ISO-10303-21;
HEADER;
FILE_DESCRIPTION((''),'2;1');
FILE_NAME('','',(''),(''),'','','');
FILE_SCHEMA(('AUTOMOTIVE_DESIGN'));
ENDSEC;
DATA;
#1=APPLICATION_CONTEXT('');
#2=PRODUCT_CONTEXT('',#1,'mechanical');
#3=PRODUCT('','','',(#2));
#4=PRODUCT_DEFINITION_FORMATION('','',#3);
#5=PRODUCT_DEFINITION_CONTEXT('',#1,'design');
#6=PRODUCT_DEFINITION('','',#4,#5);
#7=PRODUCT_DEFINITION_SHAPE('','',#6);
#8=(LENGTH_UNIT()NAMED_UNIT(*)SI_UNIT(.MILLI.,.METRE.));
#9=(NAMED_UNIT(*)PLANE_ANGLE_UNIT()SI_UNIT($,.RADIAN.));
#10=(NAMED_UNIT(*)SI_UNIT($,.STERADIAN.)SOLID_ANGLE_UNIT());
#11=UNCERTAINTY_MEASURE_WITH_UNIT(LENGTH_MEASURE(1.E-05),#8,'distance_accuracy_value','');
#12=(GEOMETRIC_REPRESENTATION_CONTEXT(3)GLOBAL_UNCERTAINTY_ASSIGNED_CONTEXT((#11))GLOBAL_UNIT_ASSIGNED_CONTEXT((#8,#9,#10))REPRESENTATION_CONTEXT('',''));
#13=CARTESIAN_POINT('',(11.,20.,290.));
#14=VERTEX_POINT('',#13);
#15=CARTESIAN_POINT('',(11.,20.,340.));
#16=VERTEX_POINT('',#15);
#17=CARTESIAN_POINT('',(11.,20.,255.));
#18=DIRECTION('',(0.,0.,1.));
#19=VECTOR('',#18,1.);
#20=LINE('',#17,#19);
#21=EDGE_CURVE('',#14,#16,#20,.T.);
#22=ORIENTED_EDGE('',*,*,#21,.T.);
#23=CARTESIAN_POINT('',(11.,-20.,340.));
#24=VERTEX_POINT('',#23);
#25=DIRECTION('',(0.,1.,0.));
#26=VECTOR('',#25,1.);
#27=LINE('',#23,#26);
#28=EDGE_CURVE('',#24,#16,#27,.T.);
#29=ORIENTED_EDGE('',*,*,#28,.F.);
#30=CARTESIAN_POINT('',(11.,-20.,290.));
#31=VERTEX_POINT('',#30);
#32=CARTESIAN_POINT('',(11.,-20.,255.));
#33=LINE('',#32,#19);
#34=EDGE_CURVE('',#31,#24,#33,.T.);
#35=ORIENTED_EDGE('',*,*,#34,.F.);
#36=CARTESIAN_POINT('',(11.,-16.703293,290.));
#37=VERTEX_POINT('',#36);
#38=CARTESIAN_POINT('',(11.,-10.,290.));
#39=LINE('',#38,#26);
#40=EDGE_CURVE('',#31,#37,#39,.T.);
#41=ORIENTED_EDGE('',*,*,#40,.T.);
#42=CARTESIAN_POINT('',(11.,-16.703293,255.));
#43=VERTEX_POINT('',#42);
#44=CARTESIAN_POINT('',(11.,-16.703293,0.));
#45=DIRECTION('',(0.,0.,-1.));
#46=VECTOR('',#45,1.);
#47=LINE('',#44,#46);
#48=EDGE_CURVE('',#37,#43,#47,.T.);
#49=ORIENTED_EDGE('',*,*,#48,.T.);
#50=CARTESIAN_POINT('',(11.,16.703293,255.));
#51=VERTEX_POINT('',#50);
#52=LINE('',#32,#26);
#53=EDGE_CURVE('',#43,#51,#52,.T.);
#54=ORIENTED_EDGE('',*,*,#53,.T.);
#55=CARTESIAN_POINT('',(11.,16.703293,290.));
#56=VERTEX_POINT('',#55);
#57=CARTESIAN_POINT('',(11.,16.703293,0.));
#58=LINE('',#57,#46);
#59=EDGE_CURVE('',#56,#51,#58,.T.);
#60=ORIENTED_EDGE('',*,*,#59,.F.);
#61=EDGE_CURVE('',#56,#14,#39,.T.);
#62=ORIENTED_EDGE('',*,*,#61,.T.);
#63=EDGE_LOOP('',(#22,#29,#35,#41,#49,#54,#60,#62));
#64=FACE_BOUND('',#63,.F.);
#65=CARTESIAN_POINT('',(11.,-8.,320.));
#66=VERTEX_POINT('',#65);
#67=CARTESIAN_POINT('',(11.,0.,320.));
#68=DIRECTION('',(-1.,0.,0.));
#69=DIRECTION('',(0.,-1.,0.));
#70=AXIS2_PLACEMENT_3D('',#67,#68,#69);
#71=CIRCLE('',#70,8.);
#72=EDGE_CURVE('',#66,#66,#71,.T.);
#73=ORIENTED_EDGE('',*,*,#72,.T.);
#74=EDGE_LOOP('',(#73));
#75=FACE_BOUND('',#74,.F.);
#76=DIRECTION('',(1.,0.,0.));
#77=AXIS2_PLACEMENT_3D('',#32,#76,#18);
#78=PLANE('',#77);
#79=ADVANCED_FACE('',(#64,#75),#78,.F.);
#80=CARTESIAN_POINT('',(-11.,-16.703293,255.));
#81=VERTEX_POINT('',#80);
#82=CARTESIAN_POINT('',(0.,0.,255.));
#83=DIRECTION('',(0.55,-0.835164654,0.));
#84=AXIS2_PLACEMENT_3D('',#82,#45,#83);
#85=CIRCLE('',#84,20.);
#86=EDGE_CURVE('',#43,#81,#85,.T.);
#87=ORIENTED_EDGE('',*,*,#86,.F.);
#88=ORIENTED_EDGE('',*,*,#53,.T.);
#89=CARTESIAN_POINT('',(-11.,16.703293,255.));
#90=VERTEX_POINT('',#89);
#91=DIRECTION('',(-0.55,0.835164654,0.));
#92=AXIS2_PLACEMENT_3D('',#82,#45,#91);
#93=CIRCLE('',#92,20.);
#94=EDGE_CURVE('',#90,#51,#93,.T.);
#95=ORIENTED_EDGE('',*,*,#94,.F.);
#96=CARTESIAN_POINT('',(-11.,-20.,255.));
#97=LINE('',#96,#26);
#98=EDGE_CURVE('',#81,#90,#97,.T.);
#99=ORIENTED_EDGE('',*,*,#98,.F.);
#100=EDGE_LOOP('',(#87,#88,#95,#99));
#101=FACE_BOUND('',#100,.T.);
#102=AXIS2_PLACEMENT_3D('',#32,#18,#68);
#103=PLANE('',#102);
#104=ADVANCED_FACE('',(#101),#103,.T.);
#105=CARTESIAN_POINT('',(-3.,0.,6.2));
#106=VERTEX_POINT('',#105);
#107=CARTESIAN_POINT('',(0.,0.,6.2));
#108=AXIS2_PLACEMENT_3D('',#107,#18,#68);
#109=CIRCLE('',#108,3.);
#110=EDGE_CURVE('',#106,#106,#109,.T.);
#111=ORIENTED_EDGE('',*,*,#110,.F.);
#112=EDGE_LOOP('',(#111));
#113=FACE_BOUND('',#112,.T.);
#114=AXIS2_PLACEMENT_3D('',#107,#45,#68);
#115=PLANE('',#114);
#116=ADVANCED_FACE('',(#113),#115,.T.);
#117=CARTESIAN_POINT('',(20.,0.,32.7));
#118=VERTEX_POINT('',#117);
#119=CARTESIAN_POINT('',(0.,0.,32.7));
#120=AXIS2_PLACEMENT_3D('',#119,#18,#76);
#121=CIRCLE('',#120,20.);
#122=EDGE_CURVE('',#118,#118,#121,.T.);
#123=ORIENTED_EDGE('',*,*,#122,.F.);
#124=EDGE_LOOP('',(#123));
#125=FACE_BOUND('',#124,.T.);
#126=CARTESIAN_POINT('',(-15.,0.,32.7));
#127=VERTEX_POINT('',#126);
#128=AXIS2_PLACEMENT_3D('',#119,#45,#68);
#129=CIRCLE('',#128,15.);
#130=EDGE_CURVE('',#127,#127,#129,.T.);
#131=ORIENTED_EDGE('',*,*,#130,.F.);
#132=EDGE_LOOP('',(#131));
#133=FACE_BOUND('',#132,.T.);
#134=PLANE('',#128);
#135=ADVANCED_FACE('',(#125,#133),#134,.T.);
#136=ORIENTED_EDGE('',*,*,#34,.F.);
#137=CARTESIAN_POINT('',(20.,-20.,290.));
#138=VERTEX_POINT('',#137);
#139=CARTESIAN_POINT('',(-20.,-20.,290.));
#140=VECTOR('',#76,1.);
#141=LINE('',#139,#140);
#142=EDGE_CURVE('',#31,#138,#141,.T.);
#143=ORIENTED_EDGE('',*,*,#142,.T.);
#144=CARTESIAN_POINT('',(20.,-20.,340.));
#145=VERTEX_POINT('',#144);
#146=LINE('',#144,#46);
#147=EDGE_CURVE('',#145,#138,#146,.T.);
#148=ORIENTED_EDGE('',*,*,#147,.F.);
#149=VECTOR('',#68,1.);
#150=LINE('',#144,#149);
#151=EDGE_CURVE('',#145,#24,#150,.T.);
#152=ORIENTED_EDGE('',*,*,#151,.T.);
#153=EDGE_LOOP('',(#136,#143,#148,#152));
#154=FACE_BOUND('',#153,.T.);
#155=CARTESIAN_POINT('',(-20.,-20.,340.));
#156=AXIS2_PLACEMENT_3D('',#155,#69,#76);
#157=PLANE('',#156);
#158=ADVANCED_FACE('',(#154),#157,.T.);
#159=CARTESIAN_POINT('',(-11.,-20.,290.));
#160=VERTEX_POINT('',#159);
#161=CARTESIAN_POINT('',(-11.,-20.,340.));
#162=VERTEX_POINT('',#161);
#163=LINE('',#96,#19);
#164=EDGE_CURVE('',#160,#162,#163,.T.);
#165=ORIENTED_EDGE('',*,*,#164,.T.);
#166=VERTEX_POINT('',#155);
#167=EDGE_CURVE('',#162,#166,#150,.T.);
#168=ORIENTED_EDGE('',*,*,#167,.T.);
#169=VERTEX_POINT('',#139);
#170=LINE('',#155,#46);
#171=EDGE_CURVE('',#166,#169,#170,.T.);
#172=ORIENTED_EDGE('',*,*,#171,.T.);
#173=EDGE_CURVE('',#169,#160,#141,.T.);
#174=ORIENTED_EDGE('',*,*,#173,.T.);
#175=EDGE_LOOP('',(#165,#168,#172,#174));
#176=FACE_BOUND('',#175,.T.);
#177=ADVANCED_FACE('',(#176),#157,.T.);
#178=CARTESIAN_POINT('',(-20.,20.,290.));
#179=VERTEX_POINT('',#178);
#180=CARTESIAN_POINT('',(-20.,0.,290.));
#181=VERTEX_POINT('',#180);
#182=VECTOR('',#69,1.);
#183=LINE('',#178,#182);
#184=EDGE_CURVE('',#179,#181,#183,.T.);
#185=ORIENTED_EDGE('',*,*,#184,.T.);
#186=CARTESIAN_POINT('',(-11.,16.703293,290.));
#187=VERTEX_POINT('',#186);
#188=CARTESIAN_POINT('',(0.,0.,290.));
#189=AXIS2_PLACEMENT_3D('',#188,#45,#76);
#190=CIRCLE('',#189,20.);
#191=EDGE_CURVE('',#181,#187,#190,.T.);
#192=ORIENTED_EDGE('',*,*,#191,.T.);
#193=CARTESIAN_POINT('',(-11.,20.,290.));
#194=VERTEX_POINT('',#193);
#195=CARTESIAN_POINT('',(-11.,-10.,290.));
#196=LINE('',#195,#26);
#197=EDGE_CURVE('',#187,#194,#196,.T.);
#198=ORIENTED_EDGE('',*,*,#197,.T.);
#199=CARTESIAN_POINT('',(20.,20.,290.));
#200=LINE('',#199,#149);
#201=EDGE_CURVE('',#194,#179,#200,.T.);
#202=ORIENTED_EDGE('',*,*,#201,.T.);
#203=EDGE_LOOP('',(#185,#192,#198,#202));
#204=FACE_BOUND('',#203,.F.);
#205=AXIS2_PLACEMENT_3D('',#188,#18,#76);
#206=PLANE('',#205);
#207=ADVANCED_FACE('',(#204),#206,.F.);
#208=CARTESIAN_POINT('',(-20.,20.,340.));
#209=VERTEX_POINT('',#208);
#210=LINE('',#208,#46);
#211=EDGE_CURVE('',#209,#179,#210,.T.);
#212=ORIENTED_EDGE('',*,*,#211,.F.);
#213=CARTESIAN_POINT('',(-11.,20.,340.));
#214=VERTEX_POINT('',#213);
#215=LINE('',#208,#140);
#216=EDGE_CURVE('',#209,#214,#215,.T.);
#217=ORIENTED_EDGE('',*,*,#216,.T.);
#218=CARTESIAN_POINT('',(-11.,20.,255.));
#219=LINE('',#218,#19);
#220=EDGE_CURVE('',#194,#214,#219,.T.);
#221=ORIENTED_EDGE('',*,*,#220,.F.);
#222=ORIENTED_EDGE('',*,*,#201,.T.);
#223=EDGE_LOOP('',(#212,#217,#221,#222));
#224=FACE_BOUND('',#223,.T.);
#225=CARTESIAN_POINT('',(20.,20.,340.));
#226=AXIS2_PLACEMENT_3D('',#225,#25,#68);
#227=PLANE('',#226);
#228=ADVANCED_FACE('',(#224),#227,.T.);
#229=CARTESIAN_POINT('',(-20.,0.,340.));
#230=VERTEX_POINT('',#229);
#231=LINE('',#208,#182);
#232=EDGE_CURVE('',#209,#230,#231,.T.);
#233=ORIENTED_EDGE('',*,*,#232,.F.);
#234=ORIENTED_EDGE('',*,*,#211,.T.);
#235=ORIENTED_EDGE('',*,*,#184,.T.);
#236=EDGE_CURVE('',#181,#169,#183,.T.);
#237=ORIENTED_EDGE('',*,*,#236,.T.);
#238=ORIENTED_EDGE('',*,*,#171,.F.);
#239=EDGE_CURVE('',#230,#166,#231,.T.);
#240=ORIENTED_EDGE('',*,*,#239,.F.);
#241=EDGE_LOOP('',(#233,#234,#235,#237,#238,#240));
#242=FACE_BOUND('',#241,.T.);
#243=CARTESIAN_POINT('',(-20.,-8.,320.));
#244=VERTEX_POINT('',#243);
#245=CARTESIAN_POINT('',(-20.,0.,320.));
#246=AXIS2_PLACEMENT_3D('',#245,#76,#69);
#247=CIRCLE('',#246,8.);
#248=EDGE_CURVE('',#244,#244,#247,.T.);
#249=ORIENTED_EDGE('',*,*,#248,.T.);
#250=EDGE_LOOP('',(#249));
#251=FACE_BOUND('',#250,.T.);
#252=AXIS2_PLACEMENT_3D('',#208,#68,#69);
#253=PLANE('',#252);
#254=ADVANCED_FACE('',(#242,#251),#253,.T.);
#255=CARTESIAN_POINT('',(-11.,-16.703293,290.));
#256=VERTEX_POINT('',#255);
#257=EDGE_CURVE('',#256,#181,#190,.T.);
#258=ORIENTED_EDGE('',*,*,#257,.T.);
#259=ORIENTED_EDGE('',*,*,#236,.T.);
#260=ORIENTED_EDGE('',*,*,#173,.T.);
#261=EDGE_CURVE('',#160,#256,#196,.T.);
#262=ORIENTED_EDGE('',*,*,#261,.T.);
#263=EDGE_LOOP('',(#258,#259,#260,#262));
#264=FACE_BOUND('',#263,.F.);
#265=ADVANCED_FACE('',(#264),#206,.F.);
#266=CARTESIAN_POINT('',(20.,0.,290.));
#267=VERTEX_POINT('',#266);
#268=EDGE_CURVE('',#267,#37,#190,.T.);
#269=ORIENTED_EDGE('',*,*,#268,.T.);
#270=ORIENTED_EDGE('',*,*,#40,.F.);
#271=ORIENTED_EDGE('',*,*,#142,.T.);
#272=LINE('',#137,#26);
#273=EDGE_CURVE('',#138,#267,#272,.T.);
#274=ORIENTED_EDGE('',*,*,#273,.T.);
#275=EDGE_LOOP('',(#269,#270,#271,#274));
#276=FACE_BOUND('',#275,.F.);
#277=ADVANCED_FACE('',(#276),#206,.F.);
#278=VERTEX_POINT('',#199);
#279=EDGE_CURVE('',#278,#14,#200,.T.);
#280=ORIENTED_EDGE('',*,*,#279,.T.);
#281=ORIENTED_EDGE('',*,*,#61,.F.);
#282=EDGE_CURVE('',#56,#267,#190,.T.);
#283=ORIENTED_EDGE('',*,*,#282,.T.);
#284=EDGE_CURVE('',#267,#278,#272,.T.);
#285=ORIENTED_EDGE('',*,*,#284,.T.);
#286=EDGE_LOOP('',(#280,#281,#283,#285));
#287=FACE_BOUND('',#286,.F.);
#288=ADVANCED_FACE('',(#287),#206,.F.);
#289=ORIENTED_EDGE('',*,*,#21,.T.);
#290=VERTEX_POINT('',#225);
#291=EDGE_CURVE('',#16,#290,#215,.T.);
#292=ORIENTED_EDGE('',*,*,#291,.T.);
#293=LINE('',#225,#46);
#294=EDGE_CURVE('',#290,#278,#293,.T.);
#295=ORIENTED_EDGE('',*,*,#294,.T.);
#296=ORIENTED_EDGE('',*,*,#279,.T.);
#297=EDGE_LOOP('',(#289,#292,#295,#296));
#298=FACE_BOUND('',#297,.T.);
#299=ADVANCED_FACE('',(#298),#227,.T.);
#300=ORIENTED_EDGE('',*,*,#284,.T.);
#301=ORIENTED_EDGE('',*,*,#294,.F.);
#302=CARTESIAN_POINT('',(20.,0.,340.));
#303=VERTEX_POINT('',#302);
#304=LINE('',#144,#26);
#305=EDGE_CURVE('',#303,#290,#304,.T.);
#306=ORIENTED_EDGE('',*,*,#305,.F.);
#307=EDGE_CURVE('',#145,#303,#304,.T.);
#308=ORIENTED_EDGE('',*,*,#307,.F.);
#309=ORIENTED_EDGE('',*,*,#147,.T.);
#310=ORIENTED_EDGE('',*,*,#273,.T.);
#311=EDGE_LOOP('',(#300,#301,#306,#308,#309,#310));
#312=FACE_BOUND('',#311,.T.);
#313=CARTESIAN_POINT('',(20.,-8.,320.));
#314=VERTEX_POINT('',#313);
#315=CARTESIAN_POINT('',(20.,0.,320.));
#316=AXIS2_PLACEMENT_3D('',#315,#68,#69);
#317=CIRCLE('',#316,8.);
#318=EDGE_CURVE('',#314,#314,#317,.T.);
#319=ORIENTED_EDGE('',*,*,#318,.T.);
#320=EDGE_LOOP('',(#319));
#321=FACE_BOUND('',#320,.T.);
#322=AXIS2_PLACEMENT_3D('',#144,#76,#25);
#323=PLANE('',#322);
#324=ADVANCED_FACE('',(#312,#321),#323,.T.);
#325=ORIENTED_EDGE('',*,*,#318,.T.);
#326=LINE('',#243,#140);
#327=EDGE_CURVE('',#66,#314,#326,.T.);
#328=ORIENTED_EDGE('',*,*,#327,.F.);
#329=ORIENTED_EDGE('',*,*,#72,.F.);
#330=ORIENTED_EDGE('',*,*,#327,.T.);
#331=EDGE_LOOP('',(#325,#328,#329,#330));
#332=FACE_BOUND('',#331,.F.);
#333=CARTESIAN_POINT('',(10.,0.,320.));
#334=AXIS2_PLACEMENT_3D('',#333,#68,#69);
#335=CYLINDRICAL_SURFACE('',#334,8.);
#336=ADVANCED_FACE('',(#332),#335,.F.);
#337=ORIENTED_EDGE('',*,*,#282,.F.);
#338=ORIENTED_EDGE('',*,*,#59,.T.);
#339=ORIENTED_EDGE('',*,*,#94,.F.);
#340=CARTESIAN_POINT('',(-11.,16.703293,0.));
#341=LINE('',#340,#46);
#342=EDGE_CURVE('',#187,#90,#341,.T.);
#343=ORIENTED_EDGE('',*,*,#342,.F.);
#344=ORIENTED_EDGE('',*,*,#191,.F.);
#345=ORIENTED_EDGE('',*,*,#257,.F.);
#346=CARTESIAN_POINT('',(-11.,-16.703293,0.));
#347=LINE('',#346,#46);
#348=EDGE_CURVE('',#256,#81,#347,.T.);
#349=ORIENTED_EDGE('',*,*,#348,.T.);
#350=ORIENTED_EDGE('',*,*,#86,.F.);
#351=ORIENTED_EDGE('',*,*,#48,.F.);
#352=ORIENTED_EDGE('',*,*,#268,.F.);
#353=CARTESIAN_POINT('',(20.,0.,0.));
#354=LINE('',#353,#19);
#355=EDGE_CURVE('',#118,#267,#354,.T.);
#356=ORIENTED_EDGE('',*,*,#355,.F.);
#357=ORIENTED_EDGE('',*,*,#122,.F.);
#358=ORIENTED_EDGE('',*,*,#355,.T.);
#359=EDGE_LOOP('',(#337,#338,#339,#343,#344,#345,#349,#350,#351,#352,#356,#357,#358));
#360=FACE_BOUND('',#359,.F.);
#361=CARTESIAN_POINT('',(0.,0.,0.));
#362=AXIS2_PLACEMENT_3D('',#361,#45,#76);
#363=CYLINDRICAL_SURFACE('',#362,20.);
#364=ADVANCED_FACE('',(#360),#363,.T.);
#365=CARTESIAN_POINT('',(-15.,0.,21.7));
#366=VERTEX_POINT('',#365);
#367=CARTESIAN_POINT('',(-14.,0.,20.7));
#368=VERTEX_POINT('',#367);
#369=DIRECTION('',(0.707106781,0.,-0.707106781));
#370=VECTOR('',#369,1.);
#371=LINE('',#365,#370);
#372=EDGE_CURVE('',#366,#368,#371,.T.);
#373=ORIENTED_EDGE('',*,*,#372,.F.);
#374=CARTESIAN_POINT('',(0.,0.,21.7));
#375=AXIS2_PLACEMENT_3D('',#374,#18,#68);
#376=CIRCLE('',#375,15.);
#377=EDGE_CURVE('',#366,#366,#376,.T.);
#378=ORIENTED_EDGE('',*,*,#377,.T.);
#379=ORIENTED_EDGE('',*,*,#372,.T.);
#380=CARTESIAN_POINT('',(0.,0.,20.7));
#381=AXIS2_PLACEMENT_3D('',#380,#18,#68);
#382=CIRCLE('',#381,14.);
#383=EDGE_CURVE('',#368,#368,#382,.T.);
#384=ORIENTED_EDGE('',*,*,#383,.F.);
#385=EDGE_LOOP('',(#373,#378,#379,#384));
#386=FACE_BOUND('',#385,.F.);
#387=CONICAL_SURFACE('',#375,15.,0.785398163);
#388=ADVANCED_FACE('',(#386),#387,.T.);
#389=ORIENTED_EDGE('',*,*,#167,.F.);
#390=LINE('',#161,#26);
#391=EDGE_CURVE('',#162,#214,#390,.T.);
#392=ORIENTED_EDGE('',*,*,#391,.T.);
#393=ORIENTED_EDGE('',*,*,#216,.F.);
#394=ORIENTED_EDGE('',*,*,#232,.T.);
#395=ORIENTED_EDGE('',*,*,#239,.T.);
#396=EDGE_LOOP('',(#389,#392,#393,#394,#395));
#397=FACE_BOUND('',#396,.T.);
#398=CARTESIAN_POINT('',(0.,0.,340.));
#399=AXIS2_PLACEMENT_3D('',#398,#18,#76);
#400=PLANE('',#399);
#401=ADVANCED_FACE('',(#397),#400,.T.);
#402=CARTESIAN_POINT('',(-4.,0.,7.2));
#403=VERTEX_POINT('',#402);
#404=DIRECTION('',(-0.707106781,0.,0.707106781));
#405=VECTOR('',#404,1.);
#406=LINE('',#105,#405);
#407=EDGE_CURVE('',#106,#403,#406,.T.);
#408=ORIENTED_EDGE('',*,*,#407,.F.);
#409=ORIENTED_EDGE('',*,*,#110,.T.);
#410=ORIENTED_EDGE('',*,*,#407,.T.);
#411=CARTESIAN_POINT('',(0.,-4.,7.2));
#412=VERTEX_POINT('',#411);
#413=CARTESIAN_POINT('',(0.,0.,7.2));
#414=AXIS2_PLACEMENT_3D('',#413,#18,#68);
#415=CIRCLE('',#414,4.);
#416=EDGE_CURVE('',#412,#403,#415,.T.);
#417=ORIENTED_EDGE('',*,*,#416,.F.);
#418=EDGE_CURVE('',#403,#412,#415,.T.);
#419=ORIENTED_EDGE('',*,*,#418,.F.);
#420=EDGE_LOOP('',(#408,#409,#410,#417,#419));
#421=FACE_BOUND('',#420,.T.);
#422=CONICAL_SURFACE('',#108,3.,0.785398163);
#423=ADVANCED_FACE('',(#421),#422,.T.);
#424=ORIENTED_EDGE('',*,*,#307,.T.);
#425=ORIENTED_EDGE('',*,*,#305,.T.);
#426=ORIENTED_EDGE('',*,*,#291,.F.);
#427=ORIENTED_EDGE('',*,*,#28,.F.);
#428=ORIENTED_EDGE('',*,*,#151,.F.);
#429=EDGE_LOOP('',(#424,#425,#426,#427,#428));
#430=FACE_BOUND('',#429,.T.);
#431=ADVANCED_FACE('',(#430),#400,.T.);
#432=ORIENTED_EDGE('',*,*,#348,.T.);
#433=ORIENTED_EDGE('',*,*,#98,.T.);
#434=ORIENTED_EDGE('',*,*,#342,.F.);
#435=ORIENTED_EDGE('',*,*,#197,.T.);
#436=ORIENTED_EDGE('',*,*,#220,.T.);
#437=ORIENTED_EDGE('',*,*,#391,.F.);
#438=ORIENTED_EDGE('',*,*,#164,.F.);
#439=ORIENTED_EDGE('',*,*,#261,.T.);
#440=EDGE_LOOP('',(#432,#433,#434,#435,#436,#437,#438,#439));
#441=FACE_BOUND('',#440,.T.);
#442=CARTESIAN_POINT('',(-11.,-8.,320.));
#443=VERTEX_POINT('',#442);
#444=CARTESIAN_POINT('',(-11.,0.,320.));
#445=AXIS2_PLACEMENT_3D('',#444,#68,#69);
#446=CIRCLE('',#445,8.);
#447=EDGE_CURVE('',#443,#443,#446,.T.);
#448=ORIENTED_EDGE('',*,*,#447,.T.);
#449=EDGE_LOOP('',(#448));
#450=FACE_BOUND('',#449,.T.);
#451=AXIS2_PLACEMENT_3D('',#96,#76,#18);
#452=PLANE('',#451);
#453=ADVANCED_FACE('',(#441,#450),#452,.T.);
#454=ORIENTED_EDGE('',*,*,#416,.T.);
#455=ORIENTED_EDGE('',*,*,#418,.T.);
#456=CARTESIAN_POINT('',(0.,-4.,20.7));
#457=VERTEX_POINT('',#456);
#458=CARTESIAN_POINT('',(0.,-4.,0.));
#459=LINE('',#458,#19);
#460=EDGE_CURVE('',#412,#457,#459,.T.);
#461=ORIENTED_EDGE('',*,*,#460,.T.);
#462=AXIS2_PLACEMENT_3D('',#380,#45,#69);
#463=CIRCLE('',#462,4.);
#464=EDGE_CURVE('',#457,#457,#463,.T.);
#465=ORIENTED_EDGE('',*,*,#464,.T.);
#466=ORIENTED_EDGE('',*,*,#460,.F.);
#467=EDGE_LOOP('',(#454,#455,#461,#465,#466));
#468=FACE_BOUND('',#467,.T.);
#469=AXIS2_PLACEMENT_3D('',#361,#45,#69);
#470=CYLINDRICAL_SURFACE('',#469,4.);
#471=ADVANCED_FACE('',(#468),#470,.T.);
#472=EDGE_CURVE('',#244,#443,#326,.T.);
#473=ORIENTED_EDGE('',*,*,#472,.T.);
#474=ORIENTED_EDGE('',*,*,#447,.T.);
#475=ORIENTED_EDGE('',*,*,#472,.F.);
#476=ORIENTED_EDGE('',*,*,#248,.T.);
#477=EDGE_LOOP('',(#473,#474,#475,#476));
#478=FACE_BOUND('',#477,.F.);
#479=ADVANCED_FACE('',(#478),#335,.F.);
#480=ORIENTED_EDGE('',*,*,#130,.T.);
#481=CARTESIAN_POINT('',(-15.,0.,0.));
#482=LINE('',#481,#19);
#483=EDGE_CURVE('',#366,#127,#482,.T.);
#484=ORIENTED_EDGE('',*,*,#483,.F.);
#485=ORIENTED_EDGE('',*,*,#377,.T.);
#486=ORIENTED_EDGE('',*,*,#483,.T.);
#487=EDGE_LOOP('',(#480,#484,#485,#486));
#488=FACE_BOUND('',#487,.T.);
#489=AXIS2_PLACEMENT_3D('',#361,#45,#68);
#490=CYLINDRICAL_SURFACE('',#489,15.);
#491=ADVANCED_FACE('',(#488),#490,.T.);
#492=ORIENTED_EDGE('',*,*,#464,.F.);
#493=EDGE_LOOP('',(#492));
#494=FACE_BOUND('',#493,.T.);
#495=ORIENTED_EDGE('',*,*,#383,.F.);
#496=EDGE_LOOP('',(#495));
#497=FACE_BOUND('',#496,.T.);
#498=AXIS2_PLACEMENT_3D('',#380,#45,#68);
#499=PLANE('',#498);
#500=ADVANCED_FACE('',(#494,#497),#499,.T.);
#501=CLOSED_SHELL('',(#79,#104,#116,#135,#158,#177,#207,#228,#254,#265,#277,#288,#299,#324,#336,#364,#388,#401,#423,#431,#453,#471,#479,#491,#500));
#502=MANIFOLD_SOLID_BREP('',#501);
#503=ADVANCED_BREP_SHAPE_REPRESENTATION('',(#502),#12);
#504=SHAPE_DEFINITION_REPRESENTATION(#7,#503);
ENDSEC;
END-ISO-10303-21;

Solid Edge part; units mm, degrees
sketch "Sketch1" plane through (0, 0, 0) normal (0, 0, 1) x (1, 0, 0)
  circle A0 centre (0, 0) radius 20
extrude "Protrusion1" add sketch "Sketch1" along normal blind 340
sketch "Sketch2" plane through (0, 0, 0) normal (0, 0, -1) x (-1, 0, 0)
  circle A0 centre (0, 0) radius 15
  circle A1 centre (0, 0) radius 20
extrude "ExtrudedCutout_12" cut sketch "Sketch2" against normal blind 32.7
sketch "Sketch3" plane through (0, 0, 0) normal (0, 0, -1) x (0, -1, 0)
  circle A0 centre (0, 0) radius 4
  circle A1 centre (0, 0) radius 15
extrude "ExtrudedCutout_13" cut sketch "Sketch3" against normal blind 20.7
sketch "Sketch4" plane through (0, 0, 0) normal (0, 0, -1) x (0, -1, 0)
  circle A0 centre (0, 0) radius 4
extrude "ExtrudedCutout_14" cut sketch "Sketch4" against normal blind 6.2
cosmetic_thread "Thread1" size "Tr 8 x 2"
sketch "Sketch5" plane through (0, 0, 0) normal (0, 1, 0) x (-1, 0, 0)
  line L0 (3, 6.2) -> (4, 7.2)
  line L1 (4, 7.2) -> (4, 6.2)
  line L2 (4, 6.2) -> (3, 6.2)
  line L3 (14, 20.7) -> (15, 20.7)
  line L4 (15, 20.7) -> (15, 21.7)
  line L5 (15, 21.7) -> (14, 20.7)
revolve "RevolvedCutout1" cut sketch "Sketch5" angle 360 about axis through (0, 0, 0) along (0, 0, 1)
sketch "Sketch6" plane through (20, 0, 315) normal (1, 0, 0) x (0, 1, 0)
  circle A0 centre (0, 5) radius 11
extrude "Cutout1" cut sketch "Sketch6" against normal blind 1
sketch "Sketch7" plane through (-20, 0, 315) normal (-1, 0, 0) x (0, -1, 0)
  circle A0 centre (0, 5) radius 11
extrude "ExtrudedCutout_19" cut sketch "Sketch7" against normal blind 1
sketch "Sketch8" plane through (15.5, 0, 340) normal (0, 0, 1) x (0, -1, 0)
  line L0 (-20, -35.5) -> (20, -35.5)
  line L1 (20, -35.5) -> (20, 4.5)
  line L2 (20, 4.5) -> (-20, 4.5)
  line L3 (-20, 4.5) -> (-20, -35.5)
extrude "ExtrudedCutout_21" add sketch "Sketch8" against normal blind 50
sketch "Sketch9" plane through (10, 0.0037, 292.5417) normal (-1, 0, 0) x (0, -1, 0)
  circle A0 centre (0.0037, 27.4583) radius 8
extrude "ExtrudedCutout_5" cut sketch "Sketch9" along normal mid plane 178.997
sketch "Sketch10" plane through (0, -20, 315) normal (0, -1, 0) x (0, 0, -1)
  line L0 (60, 11) -> (-25, 11)
  line L1 (-25, -11) -> (-25, 11)
  line L2 (60, -11) -> (-25, -11)
  line L3 (60, 11) -> (60, -11)
extrude "ExtrudedCutout_20" cut sketch "Sketch10" against normal blind 40
properties material "Steel - Stainless:1.4301 , X5CrNi18-10"
